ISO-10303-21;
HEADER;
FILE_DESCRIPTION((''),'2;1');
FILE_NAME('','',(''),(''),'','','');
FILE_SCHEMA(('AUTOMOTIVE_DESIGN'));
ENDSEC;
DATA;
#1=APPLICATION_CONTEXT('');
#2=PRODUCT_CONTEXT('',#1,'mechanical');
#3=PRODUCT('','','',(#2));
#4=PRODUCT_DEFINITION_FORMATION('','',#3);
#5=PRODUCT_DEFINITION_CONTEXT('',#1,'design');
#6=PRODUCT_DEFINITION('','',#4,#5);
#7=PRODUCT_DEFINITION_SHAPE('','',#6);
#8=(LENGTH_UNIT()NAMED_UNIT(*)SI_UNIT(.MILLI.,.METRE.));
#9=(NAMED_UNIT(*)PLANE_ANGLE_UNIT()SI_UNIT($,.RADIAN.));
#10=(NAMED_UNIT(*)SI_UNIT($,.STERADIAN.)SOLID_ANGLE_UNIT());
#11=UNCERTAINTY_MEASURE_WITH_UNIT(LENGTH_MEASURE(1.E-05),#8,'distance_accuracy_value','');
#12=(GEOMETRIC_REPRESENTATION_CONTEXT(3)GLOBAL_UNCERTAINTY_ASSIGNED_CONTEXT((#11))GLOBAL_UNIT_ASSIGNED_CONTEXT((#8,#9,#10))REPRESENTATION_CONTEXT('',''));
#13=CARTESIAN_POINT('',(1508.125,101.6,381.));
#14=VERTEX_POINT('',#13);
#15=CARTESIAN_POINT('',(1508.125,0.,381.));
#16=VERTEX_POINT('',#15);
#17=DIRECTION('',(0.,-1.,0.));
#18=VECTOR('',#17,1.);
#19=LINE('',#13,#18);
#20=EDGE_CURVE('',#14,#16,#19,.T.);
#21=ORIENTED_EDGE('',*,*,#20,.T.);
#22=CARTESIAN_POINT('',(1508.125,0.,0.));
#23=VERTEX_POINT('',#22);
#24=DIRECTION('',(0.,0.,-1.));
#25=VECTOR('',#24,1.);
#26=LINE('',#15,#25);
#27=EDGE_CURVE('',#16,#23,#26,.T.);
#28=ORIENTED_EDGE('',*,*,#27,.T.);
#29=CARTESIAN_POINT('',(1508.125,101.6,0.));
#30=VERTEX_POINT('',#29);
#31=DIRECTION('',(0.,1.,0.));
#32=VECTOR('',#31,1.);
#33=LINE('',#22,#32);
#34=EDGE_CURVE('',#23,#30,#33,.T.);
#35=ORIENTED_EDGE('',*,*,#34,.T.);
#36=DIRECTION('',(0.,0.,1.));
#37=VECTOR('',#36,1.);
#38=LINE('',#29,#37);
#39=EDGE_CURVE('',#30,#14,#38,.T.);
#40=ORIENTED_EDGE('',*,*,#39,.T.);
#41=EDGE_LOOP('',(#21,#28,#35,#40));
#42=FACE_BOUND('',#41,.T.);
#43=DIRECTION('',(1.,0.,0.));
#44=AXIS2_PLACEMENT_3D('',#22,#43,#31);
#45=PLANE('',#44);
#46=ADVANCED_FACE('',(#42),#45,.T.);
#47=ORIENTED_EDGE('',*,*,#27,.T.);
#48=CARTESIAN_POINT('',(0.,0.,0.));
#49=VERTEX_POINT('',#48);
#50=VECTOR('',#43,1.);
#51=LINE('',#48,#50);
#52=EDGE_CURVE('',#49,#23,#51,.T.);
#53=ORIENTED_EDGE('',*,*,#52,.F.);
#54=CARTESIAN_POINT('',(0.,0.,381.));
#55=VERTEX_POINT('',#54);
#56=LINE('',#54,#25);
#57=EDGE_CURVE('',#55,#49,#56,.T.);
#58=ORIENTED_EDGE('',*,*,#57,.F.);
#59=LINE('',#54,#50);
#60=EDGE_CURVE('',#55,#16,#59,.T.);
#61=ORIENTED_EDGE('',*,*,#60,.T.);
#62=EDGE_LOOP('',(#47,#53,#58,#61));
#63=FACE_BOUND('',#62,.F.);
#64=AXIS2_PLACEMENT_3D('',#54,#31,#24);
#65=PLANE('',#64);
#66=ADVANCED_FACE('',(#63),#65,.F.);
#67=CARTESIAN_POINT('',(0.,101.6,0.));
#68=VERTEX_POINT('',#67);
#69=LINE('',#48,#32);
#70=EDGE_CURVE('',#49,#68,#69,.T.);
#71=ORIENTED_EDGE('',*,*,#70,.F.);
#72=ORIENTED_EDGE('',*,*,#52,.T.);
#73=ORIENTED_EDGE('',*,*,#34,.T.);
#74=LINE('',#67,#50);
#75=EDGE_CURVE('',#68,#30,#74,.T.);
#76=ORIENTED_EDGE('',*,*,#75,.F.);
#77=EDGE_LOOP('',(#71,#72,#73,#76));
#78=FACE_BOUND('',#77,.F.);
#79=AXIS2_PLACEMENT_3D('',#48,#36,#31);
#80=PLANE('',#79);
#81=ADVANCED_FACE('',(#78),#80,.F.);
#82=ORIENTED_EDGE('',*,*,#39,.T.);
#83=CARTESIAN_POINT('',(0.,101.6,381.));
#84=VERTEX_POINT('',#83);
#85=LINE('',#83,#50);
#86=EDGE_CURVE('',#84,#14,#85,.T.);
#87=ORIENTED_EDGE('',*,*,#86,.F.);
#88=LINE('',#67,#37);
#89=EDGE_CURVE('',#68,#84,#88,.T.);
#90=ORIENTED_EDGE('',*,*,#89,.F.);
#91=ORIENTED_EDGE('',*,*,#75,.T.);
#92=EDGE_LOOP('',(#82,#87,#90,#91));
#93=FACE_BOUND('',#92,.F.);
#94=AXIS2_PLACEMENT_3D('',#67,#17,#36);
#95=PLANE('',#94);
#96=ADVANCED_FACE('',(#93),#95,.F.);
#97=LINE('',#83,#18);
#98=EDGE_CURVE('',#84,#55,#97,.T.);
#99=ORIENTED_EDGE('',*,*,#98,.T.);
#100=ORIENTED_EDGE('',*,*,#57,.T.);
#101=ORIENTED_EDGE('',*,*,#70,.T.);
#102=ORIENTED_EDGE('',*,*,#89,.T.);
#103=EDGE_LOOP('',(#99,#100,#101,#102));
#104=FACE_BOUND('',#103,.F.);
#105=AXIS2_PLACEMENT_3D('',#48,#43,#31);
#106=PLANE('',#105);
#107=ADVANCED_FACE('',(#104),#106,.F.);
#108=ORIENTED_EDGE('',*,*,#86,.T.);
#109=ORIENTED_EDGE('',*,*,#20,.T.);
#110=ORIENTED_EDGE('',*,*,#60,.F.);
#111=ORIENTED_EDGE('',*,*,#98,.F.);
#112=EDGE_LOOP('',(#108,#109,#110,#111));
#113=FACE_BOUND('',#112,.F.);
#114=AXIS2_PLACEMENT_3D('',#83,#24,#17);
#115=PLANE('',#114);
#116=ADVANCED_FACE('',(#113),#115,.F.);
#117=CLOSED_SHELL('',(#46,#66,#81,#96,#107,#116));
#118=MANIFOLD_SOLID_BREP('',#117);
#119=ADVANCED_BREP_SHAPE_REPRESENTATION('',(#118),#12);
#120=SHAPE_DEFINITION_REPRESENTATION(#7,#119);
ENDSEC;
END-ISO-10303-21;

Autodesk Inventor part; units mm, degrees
ref_plane "YZ Plane" through (0, 0, 0) normal (1, 0, 0) x (0, 1, 0)
ref_plane "XZ Plane" through (0, 0, 0) normal (0, 1, 0) x (-1, 0, 0)
ref_plane "XY Plane" through (0, 0, 0) normal (0, 0, 1) x (1, 0, 0)
sketch "Sketch1" plane through (0, 0, 0) normal (1, 0, 0) x (0, 1, 0)
  line L0 (0, 0) -> (101.6, 0)
  line L1 (101.6, 0) -> (101.6, 381)
  line L2 (101.6, 381) -> (0, 381)
  line L3 (0, 381) -> (0, 0)
  dimension "d0" = 101.6
  dimension "d1" = 381
extrude "Extrusion1" add sketch "Sketch1" along normal blind 1508.125
properties part number "15x60CAP" material "Limestone"
